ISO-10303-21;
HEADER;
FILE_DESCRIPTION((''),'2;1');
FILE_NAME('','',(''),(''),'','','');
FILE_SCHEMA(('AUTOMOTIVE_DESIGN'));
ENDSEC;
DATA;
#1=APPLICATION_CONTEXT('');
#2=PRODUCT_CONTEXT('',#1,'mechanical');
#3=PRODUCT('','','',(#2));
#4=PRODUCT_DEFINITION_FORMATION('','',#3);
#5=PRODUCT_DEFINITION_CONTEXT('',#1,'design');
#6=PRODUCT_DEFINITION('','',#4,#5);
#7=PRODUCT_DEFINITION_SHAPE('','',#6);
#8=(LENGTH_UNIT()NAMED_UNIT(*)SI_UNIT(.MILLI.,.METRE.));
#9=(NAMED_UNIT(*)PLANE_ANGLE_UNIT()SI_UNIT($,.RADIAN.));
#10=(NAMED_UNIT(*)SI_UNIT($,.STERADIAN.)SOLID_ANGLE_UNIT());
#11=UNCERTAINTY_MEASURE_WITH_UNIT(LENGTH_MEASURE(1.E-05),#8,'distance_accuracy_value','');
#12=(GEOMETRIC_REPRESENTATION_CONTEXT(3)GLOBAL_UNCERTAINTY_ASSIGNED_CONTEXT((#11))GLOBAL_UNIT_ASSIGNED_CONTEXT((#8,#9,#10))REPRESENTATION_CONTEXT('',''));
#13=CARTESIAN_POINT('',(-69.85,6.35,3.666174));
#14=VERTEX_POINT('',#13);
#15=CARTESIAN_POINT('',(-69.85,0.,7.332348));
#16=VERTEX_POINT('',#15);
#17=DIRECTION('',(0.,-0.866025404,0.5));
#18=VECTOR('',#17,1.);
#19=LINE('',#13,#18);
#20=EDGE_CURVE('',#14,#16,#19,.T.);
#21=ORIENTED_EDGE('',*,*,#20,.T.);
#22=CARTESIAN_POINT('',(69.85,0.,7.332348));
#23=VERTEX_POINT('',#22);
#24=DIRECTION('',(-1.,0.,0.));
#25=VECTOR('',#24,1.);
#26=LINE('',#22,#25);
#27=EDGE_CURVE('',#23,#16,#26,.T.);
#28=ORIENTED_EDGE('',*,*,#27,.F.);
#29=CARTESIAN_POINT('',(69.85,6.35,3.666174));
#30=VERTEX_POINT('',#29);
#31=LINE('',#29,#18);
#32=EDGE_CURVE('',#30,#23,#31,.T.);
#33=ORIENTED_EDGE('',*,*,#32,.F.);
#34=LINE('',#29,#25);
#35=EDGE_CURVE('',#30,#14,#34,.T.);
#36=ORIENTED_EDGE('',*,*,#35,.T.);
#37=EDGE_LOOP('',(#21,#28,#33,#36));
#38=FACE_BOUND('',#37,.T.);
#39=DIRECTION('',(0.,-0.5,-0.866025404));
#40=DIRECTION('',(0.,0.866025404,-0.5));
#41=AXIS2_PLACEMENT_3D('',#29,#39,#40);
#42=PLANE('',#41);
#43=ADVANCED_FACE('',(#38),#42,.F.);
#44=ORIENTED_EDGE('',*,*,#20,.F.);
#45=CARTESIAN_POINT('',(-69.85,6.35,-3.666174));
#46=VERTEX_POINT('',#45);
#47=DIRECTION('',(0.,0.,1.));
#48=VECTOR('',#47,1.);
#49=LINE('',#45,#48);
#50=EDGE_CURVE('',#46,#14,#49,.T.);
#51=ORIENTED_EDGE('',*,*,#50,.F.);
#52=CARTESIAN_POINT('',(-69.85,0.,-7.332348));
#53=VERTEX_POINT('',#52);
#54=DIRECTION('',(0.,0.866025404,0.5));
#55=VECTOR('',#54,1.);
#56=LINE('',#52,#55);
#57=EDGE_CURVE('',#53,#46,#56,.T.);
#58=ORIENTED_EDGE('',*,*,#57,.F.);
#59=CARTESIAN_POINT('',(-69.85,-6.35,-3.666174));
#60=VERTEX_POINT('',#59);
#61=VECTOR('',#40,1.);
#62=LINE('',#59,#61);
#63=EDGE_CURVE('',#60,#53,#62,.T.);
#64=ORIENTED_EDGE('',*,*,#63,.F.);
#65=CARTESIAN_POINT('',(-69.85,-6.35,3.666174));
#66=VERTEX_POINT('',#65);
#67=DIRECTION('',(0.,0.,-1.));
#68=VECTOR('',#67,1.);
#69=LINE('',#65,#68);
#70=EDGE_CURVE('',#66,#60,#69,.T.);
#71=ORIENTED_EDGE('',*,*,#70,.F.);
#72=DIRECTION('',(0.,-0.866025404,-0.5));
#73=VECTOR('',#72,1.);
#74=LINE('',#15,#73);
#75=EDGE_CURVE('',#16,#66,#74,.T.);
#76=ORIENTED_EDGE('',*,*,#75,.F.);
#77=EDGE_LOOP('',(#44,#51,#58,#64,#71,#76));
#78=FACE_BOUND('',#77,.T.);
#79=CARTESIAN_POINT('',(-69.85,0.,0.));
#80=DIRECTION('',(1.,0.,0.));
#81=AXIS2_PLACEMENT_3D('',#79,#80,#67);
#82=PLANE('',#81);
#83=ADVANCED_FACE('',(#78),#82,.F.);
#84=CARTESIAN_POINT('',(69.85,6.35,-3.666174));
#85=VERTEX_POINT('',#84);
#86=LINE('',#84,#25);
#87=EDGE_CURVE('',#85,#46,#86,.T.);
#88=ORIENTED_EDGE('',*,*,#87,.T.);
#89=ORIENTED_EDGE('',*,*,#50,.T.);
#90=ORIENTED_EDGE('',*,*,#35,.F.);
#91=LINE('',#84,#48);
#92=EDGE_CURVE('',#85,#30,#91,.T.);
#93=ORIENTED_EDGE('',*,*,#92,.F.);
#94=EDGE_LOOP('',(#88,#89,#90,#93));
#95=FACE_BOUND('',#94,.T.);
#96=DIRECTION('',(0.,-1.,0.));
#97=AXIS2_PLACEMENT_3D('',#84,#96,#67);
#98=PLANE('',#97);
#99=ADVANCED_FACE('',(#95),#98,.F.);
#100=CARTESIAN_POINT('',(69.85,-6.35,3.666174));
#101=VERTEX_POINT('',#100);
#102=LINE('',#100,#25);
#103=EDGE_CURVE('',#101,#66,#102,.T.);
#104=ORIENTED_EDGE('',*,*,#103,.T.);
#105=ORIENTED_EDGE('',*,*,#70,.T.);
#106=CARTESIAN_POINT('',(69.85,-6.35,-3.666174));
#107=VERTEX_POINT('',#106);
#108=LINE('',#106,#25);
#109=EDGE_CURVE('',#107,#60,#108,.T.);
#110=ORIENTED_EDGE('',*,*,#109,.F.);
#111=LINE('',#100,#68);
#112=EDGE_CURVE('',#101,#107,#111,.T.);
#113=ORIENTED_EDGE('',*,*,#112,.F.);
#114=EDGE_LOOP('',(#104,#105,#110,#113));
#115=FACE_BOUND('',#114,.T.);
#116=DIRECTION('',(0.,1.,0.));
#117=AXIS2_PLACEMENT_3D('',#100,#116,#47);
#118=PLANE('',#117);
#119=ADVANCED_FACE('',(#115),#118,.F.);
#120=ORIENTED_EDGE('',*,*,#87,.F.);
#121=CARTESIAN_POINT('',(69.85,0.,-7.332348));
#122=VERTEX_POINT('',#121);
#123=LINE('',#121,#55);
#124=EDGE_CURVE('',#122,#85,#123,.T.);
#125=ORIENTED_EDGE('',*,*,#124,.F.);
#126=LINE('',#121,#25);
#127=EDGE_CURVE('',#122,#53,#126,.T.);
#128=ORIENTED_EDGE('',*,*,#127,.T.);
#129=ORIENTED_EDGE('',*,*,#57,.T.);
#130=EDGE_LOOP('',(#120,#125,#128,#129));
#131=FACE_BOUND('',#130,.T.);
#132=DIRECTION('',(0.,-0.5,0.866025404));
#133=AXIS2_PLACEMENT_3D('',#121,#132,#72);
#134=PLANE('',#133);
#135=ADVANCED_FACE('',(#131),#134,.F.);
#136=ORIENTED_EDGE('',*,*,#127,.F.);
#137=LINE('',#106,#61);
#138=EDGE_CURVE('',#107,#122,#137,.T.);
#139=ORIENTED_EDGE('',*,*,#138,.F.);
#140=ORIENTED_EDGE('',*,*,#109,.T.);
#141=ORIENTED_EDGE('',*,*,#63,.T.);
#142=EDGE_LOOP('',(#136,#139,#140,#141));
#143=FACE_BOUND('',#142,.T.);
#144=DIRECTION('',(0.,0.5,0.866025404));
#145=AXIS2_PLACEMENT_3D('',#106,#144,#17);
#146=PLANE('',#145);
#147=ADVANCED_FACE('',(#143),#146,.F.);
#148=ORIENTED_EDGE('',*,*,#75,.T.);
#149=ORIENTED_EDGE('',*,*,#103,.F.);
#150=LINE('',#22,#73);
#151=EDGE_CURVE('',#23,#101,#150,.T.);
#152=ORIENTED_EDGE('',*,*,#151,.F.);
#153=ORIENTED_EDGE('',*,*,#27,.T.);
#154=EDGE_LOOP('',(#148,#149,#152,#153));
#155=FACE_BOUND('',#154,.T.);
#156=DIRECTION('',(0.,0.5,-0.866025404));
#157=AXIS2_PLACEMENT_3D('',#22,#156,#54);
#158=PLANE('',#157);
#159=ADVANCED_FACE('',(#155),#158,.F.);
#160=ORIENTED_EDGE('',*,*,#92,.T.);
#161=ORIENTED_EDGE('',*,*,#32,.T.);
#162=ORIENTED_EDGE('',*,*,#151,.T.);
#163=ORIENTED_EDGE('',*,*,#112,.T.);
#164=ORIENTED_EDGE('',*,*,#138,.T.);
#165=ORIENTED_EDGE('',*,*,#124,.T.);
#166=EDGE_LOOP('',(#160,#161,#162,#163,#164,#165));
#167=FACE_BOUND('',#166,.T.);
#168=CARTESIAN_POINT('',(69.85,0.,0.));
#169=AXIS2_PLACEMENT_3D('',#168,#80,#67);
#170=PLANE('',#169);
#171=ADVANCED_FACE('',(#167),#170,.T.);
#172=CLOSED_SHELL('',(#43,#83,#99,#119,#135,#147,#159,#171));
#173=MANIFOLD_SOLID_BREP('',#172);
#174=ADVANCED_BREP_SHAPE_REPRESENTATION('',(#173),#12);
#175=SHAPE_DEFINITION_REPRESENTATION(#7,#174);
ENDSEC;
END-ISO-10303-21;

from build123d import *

# Parameters (mm, degrees)
BOSS_EXTRUDE2_DEPTH = 69.85


with BuildPart() as part:
    # Sketch3 → Boss-Extrude2 (new, symmetric)
    with BuildSketch(Plane(origin=(0, 0, 0), x_dir=(0, 0, -1), z_dir=(1, 0, 0))):
        Polygon((7.332348419, 0), (3.666174209, 6.35), (-3.666174209, 6.35), (-7.332348419, 0), (-3.666174209, -6.35), (3.666174209, -6.35), align=None)
    extrude(amount=BOSS_EXTRUDE2_DEPTH, both=True)


solid = part.part
